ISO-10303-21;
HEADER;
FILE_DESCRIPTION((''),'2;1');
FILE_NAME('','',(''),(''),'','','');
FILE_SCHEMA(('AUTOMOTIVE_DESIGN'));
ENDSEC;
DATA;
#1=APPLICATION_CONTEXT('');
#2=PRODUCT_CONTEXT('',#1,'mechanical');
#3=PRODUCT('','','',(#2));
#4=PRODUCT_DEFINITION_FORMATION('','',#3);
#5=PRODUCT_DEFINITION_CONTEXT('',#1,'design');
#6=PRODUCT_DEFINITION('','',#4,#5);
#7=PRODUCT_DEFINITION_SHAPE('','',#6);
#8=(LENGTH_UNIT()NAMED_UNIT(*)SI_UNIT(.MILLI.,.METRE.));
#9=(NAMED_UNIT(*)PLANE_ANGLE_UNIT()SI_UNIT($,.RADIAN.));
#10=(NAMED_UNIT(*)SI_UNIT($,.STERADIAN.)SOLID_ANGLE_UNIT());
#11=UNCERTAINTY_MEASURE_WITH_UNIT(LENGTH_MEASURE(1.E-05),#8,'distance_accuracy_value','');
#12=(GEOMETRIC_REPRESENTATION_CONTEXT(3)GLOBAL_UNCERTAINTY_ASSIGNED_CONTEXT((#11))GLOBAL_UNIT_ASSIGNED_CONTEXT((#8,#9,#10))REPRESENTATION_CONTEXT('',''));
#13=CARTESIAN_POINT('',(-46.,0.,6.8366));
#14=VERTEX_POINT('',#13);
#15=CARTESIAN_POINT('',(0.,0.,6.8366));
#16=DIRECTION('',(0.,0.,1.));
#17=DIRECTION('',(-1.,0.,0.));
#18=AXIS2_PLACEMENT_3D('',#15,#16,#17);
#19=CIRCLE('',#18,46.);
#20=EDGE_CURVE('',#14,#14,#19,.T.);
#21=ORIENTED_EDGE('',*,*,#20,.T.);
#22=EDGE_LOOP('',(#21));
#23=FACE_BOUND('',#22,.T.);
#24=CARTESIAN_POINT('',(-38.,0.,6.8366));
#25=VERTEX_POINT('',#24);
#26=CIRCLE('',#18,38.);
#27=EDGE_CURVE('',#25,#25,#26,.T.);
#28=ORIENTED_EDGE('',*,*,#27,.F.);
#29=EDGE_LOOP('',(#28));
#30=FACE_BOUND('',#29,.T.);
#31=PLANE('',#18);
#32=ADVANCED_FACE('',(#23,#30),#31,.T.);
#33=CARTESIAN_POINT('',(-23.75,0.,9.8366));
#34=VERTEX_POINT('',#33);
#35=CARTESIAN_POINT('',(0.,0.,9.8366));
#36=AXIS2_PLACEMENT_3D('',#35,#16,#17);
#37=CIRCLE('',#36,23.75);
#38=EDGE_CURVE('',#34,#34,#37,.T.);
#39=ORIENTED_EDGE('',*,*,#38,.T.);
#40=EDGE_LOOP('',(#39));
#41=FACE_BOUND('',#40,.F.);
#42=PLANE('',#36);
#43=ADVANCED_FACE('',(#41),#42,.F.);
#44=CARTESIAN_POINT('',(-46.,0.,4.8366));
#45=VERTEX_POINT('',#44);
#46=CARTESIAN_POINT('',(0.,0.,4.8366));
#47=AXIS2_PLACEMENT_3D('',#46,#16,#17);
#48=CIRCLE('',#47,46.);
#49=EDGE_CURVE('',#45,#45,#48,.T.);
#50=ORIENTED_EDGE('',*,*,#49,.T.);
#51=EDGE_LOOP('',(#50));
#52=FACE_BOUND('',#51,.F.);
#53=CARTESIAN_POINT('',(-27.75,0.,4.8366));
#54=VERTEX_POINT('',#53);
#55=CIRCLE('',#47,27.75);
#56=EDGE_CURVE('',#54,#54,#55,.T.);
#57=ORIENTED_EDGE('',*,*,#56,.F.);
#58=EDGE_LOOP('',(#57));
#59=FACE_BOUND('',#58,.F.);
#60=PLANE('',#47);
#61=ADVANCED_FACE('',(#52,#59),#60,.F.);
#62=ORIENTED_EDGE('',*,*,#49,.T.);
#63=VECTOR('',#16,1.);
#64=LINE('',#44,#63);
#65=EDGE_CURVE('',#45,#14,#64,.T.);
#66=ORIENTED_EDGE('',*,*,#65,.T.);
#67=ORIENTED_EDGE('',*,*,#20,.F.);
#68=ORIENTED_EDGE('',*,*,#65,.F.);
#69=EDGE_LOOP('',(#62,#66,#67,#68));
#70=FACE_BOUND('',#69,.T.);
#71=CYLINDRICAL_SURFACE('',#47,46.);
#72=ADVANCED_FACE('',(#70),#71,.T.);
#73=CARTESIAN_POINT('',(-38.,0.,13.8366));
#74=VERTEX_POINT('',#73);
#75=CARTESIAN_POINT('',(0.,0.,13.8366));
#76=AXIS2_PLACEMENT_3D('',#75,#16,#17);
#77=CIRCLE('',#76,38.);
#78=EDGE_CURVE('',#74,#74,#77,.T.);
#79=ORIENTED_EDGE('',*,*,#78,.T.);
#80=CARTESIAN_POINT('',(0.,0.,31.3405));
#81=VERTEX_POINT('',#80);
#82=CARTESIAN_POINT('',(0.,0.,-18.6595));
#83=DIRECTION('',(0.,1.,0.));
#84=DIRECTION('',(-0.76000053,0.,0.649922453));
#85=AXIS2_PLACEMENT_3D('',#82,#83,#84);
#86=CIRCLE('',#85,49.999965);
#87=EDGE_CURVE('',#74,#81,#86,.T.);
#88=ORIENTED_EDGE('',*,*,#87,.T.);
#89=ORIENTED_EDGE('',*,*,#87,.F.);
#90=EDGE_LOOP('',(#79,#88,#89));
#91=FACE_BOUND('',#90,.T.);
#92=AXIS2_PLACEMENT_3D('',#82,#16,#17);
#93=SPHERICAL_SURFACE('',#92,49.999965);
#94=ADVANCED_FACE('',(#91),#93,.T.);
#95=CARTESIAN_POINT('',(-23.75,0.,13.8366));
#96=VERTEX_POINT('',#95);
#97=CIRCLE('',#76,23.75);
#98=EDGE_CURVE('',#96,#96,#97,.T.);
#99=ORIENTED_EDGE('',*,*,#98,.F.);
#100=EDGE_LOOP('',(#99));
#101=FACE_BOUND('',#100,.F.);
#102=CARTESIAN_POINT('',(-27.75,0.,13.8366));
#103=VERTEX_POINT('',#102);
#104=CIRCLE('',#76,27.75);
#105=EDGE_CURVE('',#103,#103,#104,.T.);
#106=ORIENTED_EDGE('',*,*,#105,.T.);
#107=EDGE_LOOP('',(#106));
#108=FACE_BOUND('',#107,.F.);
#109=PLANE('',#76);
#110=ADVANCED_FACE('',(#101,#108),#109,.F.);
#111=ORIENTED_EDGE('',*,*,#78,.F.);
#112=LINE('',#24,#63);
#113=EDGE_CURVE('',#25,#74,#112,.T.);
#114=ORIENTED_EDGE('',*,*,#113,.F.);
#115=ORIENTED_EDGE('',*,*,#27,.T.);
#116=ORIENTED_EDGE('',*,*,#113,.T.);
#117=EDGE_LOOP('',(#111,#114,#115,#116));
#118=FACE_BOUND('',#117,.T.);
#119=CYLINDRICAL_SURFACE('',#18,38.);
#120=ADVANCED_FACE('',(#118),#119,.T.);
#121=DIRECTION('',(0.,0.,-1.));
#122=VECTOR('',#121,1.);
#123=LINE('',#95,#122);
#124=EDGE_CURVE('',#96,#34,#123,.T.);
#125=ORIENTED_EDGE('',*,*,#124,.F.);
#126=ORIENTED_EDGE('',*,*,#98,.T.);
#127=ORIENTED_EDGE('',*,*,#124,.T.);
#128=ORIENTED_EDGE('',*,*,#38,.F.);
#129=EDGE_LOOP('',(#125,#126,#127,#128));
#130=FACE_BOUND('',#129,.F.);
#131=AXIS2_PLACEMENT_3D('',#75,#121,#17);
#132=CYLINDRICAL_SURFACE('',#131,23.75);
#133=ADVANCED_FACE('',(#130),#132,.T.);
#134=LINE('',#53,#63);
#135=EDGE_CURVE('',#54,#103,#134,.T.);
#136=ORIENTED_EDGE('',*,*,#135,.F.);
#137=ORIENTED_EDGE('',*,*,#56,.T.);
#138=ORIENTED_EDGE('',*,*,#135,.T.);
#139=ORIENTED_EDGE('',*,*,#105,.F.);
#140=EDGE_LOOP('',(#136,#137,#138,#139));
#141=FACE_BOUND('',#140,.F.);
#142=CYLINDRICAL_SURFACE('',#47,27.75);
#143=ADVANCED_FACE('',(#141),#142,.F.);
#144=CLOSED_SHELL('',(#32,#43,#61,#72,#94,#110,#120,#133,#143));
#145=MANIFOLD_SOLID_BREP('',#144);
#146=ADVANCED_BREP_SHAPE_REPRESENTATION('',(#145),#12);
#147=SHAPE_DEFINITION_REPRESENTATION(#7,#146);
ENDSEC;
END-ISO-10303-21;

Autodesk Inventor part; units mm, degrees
ref_plane "YZ Plane" through (0, 0, 0) normal (1, 0, 0) x (0, 1, 0)
ref_plane "XZ Plane" through (0, 0, 0) normal (0, 1, 0) x (-1, 0, 0)
ref_plane "XY Plane" through (0, 0, 0) normal (0, 0, 1) x (1, 0, 0)
sketch "Skizze1" plane through (0, 0, 0) normal (0, 1, 0) x (-1, 0, 0)
  line L0 (27.25, -10) -> (27.25, -35.9351) construction
  line L1 (27.25, -35.9351) -> (-27.25, -35.9351) construction
  line L2 (24.25, -10) -> (24.25, 0) construction
  line L3 (46, 4.8366) -> (46, 6.8366)
  line L4 (46, 6.8366) -> (38, 6.8366)
  line L5 (0, 0) -> (0, 30) construction
  line L6 (38, 6.8366) -> (38, 13.8366)
  line L7 (46, 4.8366) -> (27.75, 4.8366)
  line L8 (27.75, 4.8366) -> (27.75, 13.8366)
  line L9 (27.75, 13.8366) -> (23.75, 13.8366)
  line L10 (23.75, 13.8366) -> (23.75, 9.8366)
  line L11 (-46, 4.8366) -> (-46, 6.8366)
  line L12 (-46, 6.8366) -> (-38, 6.8366)
  line L13 (-38, 6.8366) -> (-38, 13.8366)
  line L14 (-46, 4.8366) -> (-27.75, 4.8366)
  line L15 (-27.75, 4.8366) -> (-27.75, 13.8366)
  line L16 (-27.75, 13.8366) -> (-23.75, 13.8366)
  line L17 (-23.75, 13.8366) -> (-23.75, 9.8366)
  arc A0 (38, 13.8366) -> (-38, 13.8366) centre (0, -18.6595) ccw
  line L18 (23.75, 9.8366) -> (-23.75, 9.8366)
  line L19 (0, 9.8366) -> (0, 31.3405)
  point P0 (-27.25, -35.9351)
  dimension "d0" = 2
  dimension "d1" = 7
  dimension "d2" = 8
  dimension "d3" = 46
  dimension "d4" = 0.5
  dimension "d5" = 0.5
  dimension "d7" = 50
  dimension "d8" = 9
  dimension "d9" = 4
  dimension "d11" = 26.5038
revolve "Umdrehung1" add sketch "Skizze1" angle 360 about axis through (0, 0, 9.8366) along (0, 0, 1) contours L7 L8 L9 L10 L18 L19 A0 L6 L4 L3
